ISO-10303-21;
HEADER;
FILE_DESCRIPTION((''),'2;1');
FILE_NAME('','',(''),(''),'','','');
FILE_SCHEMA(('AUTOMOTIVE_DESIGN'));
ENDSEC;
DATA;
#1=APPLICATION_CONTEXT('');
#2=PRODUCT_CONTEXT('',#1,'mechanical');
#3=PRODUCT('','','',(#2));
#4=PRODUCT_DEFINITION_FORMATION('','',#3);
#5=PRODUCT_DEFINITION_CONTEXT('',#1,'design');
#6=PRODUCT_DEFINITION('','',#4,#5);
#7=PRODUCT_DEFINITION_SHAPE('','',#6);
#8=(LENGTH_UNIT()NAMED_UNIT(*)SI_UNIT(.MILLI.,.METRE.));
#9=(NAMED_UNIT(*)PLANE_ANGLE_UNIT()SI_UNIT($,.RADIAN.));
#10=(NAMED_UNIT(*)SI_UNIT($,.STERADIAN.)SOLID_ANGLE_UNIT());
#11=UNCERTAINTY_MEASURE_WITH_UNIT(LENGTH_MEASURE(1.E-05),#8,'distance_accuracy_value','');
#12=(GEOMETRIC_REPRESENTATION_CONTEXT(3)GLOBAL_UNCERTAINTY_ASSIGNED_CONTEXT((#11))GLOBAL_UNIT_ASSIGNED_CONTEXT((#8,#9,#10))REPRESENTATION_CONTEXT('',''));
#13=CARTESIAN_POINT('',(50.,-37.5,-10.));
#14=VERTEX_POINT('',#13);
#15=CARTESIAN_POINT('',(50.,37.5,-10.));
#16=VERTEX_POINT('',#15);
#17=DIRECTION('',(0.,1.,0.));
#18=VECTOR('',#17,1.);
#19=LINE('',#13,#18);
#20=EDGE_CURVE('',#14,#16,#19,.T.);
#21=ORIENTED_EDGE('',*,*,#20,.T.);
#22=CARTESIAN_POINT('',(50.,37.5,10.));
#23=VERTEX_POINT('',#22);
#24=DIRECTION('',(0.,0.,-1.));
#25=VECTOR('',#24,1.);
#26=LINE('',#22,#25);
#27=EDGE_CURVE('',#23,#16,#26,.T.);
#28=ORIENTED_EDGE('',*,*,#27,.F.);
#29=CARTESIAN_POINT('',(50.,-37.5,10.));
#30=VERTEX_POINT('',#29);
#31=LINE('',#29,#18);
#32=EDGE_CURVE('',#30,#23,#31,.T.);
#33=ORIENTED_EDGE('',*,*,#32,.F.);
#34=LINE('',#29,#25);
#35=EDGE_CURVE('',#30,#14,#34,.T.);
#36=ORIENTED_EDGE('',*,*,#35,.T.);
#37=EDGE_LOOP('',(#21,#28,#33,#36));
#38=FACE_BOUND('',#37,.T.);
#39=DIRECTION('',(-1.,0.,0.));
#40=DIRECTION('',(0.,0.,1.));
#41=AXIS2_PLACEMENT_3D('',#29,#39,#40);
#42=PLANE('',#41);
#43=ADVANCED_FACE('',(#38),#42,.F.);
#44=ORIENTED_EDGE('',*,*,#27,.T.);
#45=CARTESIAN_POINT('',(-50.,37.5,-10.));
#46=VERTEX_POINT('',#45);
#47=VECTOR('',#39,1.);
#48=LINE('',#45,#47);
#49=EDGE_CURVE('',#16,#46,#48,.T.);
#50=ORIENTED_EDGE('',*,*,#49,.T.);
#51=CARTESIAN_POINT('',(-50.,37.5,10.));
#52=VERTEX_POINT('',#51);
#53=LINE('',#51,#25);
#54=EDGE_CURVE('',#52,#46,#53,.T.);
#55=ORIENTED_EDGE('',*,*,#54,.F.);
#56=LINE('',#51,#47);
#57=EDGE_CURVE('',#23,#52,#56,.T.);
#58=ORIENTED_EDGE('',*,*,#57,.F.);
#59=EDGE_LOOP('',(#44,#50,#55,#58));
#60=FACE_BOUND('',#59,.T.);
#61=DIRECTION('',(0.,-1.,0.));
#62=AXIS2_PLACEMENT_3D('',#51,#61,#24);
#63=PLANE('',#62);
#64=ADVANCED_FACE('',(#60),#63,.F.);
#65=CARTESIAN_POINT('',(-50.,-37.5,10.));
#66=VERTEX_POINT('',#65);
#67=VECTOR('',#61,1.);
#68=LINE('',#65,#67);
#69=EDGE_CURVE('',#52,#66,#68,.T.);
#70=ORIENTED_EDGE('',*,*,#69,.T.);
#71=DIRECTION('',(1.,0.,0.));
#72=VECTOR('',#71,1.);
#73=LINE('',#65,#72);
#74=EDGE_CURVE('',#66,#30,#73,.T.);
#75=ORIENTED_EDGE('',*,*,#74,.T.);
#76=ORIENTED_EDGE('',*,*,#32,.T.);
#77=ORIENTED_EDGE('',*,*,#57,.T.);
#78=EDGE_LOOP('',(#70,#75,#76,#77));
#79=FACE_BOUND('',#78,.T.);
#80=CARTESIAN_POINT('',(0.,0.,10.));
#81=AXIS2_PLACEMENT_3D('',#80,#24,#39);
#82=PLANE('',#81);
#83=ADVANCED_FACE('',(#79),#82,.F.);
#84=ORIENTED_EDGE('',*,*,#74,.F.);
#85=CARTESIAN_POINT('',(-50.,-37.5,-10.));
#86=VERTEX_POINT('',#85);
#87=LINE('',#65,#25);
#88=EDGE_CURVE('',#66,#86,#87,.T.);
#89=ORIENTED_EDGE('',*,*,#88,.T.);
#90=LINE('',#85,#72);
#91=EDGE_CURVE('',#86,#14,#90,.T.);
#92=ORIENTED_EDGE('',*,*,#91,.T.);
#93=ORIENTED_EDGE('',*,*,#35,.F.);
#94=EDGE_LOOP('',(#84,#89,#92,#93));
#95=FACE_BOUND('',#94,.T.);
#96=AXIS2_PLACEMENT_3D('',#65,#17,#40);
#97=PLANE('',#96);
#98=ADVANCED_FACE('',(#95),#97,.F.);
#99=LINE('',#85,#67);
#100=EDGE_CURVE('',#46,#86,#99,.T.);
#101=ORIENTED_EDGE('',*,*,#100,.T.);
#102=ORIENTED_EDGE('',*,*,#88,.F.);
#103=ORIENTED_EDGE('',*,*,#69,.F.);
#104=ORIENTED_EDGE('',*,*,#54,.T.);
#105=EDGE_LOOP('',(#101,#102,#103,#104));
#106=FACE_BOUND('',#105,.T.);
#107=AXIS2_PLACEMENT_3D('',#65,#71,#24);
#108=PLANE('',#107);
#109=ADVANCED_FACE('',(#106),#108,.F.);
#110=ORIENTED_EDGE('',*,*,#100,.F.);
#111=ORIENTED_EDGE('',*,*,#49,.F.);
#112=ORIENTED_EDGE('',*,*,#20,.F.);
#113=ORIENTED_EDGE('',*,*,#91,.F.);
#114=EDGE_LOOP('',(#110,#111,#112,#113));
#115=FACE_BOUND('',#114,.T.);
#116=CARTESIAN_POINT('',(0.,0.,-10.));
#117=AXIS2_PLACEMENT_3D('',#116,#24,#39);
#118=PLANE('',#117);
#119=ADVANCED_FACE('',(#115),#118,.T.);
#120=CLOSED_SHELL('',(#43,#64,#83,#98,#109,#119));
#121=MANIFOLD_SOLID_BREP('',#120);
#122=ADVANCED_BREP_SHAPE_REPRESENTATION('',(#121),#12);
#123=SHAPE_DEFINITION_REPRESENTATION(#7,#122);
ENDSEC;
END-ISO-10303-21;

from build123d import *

# Parameters (mm, degrees)
SKETCH1_W           = 100
SKETCH1_H           = 75
BOSS_EXTRUDE1_DEPTH = 10


with BuildPart() as part:
    # Sketch1 → Boss-Extrude1 (new body, symmetric)
    with BuildSketch(Plane.XY):
        Rectangle(SKETCH1_W, SKETCH1_H)
    extrude(amount=BOSS_EXTRUDE1_DEPTH, both=True)


solid = part.part
